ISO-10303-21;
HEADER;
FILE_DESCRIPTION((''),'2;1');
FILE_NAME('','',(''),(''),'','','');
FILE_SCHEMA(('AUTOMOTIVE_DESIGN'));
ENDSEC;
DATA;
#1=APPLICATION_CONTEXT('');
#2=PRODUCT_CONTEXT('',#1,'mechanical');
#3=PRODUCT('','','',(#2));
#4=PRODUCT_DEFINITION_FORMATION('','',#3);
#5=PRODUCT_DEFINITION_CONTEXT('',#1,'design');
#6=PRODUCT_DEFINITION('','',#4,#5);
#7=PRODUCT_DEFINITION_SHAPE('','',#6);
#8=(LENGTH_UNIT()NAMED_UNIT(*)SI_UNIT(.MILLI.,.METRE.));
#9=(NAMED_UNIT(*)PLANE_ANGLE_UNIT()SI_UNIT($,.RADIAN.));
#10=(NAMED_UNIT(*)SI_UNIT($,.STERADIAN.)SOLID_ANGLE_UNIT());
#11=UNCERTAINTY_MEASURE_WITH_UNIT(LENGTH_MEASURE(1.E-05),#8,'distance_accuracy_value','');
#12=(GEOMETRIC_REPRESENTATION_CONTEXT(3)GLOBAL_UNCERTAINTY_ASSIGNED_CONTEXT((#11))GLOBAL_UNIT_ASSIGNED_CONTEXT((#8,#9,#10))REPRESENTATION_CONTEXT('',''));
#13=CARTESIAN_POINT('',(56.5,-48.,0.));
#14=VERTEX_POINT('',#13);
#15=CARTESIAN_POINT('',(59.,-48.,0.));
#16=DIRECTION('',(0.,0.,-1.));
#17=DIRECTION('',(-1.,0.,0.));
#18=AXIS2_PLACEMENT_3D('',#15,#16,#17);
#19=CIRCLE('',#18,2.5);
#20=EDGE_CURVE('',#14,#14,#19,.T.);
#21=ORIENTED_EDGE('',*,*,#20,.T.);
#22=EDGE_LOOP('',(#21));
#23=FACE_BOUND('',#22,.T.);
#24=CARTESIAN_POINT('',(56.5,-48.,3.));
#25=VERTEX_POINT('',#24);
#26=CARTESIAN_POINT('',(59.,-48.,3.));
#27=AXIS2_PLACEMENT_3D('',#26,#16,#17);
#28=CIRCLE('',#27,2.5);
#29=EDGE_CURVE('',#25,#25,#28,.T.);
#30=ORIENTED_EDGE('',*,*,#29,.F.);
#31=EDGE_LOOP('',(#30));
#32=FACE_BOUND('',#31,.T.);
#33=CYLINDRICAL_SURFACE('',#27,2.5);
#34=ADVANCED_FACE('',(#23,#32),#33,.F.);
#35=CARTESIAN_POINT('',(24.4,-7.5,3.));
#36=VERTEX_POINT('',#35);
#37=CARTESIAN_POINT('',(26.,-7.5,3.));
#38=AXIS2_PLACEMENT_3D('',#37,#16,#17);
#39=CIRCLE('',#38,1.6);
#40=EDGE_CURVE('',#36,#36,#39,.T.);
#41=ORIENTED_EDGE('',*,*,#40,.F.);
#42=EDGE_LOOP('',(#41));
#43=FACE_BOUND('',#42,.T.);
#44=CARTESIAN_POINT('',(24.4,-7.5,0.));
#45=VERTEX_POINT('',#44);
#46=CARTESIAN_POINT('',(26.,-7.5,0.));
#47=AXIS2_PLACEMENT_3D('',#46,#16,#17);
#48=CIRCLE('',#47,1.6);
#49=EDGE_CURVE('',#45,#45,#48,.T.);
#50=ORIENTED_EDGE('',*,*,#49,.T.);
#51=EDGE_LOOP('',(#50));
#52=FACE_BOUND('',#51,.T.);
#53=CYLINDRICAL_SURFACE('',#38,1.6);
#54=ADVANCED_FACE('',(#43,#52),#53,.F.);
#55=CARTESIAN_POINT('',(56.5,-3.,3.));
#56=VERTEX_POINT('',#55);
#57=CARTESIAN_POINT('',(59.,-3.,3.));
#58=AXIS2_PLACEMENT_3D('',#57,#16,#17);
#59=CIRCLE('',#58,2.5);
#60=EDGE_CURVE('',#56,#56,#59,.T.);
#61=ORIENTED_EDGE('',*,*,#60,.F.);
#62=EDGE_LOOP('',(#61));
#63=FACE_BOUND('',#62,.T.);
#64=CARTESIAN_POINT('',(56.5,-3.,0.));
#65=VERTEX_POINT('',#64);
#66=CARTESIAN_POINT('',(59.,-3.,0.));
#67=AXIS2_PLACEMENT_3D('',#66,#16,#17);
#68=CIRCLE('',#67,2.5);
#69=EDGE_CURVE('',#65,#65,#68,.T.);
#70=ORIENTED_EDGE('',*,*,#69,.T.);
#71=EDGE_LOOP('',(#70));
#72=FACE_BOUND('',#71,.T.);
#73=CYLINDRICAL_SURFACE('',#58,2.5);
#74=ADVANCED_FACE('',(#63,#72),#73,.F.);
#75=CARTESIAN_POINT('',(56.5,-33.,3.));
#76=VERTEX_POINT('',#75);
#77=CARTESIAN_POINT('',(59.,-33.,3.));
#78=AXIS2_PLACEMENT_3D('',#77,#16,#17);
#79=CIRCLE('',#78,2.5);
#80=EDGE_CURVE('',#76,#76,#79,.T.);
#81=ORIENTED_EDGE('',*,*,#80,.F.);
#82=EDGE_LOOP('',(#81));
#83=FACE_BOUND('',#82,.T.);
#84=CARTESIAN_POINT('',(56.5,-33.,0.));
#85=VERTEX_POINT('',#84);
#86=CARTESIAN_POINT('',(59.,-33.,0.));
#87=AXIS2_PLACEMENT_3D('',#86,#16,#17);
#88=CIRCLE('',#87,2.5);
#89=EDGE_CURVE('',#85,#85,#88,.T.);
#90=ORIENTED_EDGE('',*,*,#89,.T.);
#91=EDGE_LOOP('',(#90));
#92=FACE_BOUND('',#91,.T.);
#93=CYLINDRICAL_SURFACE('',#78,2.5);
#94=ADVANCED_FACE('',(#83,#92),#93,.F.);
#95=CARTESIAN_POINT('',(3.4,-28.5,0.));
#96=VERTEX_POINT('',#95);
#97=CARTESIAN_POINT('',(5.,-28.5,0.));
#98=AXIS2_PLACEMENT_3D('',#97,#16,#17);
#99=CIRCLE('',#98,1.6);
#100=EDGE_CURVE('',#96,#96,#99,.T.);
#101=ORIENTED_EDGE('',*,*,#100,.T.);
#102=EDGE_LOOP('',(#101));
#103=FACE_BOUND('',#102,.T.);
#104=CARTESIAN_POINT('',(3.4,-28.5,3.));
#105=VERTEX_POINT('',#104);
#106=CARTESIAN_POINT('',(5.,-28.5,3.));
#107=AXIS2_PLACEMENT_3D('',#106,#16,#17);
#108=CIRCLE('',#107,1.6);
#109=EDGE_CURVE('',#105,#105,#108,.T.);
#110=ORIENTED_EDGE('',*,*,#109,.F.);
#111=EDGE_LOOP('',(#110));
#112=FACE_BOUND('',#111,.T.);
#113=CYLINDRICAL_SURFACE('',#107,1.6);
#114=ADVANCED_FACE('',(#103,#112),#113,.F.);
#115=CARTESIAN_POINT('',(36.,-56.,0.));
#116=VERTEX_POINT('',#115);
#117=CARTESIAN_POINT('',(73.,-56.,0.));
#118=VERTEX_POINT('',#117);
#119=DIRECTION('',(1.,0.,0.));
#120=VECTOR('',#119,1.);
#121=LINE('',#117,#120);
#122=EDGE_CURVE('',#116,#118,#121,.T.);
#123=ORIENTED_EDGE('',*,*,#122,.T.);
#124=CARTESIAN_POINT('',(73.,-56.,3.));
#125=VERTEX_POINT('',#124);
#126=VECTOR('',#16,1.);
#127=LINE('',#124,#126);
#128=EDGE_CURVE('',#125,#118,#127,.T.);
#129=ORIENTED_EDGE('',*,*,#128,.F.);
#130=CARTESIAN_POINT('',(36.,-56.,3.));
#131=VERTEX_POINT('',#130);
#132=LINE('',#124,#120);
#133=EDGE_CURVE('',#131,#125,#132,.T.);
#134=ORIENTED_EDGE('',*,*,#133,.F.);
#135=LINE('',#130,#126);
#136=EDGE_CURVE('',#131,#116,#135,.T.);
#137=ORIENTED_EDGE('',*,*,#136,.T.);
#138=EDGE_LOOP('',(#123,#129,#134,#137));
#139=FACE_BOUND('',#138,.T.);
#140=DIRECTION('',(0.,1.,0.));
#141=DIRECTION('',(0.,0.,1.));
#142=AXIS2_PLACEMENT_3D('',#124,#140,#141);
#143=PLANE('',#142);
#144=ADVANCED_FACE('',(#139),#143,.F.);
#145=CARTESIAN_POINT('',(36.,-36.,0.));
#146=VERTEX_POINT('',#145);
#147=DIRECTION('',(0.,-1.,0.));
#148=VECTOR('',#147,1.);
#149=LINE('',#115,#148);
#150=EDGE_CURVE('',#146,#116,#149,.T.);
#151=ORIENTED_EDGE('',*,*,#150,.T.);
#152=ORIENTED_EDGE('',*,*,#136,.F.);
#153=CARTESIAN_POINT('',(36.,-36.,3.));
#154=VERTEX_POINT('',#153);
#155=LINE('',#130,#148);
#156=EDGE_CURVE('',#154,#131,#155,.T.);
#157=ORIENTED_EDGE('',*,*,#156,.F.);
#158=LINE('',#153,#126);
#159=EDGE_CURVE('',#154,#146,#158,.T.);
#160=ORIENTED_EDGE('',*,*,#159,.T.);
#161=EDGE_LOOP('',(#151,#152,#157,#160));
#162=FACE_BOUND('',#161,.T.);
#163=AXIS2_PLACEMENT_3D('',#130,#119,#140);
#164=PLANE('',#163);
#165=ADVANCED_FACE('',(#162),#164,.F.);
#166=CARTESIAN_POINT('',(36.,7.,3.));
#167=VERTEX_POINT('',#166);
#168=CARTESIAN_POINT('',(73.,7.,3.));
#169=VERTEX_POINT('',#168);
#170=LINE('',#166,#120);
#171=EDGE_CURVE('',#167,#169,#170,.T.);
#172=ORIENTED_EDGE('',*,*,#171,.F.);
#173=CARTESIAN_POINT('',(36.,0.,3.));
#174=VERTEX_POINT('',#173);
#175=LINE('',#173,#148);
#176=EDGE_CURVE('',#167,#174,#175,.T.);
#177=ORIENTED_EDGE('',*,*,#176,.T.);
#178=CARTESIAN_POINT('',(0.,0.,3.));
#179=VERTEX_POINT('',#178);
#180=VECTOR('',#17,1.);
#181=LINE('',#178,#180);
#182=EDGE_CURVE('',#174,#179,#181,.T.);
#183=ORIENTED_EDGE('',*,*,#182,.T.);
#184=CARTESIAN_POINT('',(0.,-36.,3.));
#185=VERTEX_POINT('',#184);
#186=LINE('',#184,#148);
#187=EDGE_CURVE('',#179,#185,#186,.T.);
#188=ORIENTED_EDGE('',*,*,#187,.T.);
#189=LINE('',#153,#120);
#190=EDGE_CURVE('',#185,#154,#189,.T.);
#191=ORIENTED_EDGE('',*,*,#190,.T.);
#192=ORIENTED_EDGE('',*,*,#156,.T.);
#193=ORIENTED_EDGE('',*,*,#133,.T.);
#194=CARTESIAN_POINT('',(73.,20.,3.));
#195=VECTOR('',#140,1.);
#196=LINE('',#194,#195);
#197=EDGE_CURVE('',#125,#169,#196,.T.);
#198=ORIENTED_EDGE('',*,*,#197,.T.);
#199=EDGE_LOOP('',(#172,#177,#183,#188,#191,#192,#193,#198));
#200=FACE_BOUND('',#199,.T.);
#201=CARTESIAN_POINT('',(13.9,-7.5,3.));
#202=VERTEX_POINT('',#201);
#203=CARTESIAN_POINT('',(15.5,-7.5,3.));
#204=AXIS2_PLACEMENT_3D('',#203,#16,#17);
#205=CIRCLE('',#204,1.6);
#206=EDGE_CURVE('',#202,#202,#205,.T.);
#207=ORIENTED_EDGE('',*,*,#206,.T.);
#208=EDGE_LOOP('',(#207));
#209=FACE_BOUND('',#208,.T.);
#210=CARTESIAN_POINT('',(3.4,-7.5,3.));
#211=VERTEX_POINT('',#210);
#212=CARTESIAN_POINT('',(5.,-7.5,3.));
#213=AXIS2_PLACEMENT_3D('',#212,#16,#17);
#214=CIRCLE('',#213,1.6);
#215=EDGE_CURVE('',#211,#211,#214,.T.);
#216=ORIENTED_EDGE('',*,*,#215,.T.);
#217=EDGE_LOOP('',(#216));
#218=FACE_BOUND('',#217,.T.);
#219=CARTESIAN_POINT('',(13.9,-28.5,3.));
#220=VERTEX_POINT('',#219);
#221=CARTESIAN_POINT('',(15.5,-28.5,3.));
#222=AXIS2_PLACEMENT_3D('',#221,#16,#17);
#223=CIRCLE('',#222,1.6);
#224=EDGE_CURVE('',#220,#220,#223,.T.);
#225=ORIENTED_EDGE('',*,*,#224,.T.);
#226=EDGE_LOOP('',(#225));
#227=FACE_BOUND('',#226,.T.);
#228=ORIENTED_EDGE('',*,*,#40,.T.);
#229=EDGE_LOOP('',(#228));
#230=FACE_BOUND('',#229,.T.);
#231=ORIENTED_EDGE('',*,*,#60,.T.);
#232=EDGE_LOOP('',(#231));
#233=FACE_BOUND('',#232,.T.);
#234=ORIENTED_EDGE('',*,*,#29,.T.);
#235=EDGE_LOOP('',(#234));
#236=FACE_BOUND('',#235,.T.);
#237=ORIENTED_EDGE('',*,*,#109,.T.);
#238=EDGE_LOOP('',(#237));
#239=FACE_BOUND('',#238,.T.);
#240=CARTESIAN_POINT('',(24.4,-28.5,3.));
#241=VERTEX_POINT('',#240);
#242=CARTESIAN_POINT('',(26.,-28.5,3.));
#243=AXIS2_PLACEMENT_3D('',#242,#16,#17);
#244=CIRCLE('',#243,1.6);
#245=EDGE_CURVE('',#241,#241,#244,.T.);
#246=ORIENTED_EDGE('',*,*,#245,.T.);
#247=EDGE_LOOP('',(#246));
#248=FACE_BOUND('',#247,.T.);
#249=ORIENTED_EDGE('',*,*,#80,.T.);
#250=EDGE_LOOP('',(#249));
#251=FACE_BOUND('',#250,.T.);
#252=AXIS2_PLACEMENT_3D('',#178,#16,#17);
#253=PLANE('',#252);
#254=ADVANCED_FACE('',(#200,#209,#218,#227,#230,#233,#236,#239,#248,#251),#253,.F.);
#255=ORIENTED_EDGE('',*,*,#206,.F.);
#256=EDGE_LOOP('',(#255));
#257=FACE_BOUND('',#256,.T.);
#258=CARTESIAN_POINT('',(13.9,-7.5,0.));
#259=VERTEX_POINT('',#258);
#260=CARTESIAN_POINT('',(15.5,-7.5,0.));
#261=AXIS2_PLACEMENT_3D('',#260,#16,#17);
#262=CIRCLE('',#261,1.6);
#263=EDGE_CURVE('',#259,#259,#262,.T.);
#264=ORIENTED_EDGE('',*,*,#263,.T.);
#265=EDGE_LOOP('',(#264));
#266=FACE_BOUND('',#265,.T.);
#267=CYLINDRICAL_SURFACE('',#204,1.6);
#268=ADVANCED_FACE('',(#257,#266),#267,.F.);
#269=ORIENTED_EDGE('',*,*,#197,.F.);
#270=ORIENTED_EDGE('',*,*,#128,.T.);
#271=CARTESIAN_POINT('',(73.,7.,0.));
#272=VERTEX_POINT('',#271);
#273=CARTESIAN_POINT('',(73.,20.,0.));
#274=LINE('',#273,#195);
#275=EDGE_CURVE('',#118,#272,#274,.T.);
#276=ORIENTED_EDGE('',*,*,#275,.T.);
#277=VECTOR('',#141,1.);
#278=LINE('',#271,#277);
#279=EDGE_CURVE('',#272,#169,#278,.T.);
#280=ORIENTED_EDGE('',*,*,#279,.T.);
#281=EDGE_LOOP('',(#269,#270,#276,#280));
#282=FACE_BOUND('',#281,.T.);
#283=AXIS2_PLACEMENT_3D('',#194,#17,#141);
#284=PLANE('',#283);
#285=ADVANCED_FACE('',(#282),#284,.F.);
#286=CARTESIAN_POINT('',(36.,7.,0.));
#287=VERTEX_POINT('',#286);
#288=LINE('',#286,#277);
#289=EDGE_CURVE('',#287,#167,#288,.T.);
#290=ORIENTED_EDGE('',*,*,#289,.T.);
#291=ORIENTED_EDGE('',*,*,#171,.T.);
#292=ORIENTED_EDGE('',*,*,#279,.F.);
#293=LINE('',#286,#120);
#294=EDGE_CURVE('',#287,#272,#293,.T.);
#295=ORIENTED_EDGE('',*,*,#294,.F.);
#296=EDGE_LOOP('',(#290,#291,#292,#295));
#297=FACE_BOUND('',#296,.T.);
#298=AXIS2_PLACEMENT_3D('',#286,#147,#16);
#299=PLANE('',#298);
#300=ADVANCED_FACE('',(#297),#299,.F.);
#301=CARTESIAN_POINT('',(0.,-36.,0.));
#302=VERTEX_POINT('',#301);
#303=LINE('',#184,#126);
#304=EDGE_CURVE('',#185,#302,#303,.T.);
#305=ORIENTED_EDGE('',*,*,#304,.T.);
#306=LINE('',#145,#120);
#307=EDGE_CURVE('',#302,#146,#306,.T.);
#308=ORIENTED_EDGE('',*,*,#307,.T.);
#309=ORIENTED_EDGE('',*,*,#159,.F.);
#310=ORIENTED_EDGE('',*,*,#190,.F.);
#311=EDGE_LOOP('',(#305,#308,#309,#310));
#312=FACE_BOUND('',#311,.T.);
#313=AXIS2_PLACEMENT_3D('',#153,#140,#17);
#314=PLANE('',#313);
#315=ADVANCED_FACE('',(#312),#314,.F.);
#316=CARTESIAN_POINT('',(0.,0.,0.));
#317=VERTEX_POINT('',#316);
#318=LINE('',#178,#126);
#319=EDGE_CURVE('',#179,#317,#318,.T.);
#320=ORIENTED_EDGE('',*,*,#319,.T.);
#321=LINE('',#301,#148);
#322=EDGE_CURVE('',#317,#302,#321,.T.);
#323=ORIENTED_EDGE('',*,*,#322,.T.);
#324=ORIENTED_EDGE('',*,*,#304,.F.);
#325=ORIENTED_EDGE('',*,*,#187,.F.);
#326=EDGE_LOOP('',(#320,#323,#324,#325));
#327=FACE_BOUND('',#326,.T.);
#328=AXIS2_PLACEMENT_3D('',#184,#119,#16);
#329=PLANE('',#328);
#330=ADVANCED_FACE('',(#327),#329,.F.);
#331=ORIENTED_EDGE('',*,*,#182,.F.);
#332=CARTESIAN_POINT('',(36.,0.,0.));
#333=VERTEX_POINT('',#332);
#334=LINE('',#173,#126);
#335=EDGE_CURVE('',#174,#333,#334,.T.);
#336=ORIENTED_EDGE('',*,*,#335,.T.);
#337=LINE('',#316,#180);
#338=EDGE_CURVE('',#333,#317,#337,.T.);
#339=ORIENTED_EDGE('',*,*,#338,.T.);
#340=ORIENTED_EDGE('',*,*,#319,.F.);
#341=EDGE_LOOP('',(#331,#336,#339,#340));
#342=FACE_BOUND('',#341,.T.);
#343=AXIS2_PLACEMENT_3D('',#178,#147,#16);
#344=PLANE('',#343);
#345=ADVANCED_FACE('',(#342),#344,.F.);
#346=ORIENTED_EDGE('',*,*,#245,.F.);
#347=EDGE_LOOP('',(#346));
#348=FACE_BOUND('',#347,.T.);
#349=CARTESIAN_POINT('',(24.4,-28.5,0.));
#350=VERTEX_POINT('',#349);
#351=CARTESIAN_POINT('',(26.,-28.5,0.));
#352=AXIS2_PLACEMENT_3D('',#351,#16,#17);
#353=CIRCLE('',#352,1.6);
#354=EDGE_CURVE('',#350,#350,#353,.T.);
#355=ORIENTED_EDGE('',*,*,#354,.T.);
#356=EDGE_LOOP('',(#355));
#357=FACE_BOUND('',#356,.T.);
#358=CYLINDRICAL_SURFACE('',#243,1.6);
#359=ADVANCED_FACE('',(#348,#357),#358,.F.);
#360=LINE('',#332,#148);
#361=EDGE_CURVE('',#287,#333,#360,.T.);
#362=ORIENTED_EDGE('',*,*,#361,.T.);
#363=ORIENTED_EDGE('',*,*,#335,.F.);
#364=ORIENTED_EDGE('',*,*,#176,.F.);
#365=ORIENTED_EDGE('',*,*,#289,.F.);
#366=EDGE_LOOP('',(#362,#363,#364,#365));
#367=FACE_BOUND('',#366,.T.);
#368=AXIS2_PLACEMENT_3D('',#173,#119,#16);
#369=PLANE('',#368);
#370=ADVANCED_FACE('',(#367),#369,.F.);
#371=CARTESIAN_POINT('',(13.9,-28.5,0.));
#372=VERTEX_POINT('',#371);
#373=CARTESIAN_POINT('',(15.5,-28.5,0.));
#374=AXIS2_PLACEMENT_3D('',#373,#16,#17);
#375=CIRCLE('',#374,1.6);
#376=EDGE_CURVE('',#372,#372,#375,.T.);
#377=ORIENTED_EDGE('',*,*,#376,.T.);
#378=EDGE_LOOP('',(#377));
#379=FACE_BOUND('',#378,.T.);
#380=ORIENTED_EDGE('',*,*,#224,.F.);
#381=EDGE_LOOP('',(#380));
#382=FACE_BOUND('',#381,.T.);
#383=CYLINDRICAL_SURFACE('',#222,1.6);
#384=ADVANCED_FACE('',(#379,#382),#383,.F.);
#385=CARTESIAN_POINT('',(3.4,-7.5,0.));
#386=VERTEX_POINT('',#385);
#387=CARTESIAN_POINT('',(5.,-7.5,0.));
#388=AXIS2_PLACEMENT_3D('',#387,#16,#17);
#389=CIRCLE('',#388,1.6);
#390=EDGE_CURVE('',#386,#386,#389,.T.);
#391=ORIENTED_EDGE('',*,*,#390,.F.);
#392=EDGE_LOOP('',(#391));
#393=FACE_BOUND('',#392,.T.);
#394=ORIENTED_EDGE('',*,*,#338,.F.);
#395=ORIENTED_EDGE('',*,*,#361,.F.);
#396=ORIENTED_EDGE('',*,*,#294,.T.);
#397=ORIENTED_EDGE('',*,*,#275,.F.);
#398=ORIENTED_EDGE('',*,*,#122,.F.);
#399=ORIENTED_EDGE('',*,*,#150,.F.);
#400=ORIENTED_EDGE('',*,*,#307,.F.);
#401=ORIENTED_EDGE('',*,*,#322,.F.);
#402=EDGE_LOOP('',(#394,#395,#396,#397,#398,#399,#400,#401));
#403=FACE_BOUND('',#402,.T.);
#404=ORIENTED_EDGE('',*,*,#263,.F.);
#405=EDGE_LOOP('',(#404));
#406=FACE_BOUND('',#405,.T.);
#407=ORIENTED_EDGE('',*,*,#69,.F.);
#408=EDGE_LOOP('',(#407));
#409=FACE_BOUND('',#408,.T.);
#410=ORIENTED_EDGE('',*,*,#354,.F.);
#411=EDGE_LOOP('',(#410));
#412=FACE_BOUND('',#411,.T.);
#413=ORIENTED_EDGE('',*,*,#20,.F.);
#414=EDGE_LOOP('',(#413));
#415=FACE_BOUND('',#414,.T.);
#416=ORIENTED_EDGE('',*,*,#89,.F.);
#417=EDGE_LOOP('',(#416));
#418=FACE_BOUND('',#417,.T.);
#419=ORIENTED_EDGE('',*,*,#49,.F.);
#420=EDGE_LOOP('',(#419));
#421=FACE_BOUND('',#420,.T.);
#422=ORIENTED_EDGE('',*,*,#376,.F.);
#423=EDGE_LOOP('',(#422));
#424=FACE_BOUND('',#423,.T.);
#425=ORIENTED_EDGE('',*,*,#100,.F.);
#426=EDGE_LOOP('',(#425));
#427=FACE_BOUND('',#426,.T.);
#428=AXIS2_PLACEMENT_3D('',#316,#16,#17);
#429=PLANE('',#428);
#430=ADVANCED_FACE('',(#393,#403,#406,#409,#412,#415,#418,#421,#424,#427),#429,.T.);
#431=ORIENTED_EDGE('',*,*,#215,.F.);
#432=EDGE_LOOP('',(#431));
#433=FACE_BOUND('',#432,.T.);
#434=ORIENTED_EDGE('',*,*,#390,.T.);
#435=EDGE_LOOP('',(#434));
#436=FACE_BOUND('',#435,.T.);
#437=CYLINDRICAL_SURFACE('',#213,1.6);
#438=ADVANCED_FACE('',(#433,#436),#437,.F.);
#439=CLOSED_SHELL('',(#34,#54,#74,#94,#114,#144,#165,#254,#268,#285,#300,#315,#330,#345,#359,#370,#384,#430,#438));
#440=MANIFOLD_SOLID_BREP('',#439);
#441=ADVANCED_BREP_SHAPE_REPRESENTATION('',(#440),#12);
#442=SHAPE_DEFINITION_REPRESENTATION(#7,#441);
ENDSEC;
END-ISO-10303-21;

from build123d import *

# Parameters (mm, degrees)
EXTRUDE_1_DEPTH     = 3
SKETCH_2_R          = 1.6
CUT_EXTRUDE_1_DEPTH = 93.054331783
SKETCH_3_R          = 2.5
CUT_EXTRUDE_2_DEPTH = 93.054331783
SKETCH_4_R          = 2.5
CUT_EXTRUDE_3_DEPTH = 93.054331783
SKETCH_5_W          = 37
SKETCH_5_H          = 13
CUT_EXTRUDE_4_DEPTH = 93.054331783


with BuildPart() as part:
    # 草图1 → 凸台-拉伸1 (new body)
    with BuildSketch(Plane.XY):
        Polygon((0, 0), (36, 0), (36, 20), (73, 20), (73, -56), (36, -56), (36, -36), (0, -36), align=None)
    extrude(amount=EXTRUDE_1_DEPTH)

    # 草图2 → 切除-拉伸1 (cut, through all)
    with BuildSketch(Plane(origin=(0, 0, 0), x_dir=(-1, 0, 0), z_dir=(0, 0, -1))):
        with Locations((-26, -7.5)):
            Circle(SKETCH_2_R)
        with Locations((-26, -28.5)):
            Circle(SKETCH_2_R)
        with Locations((-5, -7.5)):
            Circle(SKETCH_2_R)
        with Locations((-5, -28.5)):
            Circle(SKETCH_2_R)
        with Locations((-15.5, -28.5)):
            Circle(SKETCH_2_R)
        with Locations((-15.5, -7.5)):
            Circle(SKETCH_2_R)
    extrude(amount=-CUT_EXTRUDE_1_DEPTH, mode=Mode.SUBTRACT)

    # 草图3 → 切除-拉伸2 (cut, through all)
    with BuildSketch(Plane(origin=(0, 0, 0), x_dir=(-1, 0, 0), z_dir=(0, 0, -1))):
        with Locations((-59, -33)):
            Circle(SKETCH_3_R)
        with Locations((-59, -48)):
            Circle(SKETCH_3_R)
    extrude(amount=-CUT_EXTRUDE_2_DEPTH, mode=Mode.SUBTRACT)

    # 草图4 → 切除-拉伸3 (cut, through all)
    with BuildSketch(Plane(origin=(0, 0, 0), x_dir=(-1, 0, 0), z_dir=(0, 0, -1))):
        with Locations((-59, -3)):
            Circle(SKETCH_4_R)
        with Locations((-59, 12)):
            Circle(SKETCH_4_R)
    extrude(amount=-CUT_EXTRUDE_3_DEPTH, mode=Mode.SUBTRACT)

    # 草图5 → 切除-拉伸4 (cut, through all)
    with BuildSketch(Plane.XY.offset(3)):
        with Locations((54.5, 13.5)):
            Rectangle(SKETCH_5_W, SKETCH_5_H)
    extrude(amount=-CUT_EXTRUDE_4_DEPTH, mode=Mode.SUBTRACT)


solid = part.part
